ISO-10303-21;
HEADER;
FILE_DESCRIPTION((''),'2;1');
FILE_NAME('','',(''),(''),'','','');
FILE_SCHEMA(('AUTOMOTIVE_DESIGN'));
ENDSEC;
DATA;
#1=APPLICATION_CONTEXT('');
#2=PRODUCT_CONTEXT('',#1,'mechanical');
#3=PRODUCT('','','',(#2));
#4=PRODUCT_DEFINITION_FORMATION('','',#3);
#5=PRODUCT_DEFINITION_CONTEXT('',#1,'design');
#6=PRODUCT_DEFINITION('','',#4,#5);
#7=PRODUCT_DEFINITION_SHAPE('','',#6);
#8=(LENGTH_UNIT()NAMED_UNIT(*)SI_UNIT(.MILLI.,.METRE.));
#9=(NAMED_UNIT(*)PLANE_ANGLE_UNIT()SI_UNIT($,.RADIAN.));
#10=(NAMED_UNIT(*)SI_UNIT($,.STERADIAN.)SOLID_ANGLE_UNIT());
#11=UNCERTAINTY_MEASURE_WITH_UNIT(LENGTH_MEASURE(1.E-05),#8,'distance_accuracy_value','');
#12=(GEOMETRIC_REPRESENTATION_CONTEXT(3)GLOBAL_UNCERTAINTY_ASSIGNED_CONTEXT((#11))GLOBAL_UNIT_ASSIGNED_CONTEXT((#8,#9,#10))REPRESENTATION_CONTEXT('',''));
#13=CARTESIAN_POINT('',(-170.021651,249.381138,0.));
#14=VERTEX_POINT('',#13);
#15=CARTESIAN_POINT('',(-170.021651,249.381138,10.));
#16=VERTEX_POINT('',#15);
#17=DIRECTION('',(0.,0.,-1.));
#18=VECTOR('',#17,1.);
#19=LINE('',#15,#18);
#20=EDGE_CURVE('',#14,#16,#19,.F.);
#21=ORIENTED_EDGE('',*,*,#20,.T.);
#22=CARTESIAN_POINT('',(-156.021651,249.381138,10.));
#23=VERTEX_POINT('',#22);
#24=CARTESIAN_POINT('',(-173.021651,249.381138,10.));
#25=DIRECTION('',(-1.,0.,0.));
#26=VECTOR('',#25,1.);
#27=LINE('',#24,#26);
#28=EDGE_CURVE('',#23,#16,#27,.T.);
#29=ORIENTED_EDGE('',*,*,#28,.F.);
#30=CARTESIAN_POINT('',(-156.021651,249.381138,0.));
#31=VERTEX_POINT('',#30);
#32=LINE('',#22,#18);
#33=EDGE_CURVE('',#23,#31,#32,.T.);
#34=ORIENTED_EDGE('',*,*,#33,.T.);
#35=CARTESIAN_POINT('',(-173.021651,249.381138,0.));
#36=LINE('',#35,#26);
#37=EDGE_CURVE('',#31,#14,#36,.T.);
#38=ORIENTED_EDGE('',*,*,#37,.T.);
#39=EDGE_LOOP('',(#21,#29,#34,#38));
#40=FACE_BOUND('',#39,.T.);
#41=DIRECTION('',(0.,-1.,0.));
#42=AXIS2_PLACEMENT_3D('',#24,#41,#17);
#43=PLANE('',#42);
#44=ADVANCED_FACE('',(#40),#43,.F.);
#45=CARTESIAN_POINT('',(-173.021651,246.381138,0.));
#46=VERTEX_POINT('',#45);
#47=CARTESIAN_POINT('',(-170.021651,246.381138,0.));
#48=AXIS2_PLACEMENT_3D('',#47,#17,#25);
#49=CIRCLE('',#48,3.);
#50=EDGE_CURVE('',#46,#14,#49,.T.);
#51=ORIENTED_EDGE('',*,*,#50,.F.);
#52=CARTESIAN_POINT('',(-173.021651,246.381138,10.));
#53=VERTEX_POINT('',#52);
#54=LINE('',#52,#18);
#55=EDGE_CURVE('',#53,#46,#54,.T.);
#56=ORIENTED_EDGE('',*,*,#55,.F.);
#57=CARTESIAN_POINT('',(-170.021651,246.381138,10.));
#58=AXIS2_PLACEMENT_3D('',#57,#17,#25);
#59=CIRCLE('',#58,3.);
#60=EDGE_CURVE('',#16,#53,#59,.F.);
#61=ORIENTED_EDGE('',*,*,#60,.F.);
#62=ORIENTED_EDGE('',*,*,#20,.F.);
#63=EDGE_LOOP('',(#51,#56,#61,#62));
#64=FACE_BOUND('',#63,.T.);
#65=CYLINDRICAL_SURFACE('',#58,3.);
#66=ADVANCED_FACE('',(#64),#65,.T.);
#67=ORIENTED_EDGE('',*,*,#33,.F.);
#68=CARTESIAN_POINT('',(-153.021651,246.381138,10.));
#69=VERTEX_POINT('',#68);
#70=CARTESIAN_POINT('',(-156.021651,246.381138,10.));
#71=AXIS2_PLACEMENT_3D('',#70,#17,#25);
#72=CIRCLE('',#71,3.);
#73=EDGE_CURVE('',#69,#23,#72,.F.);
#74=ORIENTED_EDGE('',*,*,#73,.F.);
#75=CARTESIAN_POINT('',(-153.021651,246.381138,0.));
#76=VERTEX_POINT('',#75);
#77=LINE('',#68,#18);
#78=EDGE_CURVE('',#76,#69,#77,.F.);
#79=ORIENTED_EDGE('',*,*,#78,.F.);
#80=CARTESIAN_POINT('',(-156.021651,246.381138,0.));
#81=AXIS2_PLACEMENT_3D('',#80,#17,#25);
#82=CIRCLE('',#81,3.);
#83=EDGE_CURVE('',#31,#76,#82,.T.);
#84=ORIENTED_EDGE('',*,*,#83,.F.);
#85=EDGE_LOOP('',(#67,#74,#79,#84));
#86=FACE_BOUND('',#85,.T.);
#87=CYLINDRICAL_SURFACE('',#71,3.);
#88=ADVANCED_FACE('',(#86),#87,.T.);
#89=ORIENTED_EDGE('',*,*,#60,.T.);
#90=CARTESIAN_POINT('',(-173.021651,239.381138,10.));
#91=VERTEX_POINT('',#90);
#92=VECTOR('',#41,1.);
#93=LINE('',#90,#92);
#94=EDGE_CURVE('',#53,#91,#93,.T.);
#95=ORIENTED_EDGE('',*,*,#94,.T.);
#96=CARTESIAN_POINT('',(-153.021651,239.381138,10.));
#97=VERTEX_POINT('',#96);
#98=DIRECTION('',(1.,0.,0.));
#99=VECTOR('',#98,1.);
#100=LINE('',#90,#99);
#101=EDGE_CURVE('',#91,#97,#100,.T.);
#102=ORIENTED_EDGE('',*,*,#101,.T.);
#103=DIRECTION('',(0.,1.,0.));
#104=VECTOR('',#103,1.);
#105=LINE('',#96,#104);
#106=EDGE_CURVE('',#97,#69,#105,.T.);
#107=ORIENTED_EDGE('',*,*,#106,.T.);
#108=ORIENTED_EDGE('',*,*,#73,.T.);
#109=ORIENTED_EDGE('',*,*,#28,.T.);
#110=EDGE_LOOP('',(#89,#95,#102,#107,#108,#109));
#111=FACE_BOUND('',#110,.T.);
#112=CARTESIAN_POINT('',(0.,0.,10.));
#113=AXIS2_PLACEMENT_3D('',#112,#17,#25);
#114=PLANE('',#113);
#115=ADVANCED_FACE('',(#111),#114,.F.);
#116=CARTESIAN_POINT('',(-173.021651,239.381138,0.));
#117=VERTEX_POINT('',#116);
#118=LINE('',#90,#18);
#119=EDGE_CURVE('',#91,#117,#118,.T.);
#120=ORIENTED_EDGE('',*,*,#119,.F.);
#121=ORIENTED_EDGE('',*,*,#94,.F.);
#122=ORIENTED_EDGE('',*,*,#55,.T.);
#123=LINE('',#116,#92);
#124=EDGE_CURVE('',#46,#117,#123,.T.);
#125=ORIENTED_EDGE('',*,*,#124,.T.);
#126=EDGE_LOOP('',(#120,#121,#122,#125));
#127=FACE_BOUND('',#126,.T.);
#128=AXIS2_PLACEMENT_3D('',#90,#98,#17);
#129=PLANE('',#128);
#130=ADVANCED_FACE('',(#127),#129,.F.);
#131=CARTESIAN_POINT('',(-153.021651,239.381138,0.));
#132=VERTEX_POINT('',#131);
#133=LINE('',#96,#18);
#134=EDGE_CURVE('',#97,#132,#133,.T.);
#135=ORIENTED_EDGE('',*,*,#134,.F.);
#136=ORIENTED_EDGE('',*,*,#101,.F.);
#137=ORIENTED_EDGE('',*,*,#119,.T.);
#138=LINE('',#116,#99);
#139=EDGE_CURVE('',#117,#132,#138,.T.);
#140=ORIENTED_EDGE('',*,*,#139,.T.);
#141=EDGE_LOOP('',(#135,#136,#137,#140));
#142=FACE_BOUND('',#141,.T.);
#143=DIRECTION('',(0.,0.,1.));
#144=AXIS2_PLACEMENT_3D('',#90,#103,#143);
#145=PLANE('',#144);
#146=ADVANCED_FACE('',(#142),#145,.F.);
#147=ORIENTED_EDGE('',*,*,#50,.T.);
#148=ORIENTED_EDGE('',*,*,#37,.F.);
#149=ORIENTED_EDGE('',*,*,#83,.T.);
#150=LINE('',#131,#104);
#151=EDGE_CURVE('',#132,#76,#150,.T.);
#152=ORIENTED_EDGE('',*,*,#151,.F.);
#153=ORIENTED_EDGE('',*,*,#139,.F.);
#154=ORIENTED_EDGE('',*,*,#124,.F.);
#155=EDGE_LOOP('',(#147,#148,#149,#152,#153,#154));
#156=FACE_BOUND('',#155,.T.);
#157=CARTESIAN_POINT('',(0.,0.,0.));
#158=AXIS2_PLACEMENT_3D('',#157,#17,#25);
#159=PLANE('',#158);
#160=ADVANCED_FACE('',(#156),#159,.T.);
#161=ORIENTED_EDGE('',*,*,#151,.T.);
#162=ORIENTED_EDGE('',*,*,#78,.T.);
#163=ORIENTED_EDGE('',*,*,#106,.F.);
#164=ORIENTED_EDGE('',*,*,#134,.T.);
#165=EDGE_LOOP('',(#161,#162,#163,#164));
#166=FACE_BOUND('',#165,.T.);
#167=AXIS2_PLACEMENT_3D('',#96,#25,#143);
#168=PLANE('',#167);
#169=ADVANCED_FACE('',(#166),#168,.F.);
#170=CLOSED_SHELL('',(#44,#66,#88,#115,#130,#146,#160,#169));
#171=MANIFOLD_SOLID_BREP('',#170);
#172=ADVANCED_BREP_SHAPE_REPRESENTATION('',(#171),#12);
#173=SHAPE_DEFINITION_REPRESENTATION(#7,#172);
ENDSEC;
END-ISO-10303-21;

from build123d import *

# Parameters (mm, degrees)
SKETCH1_W           = 20
SKETCH1_H           = 10
BOSS_EXTRUDE1_DEPTH = 10
FILLET1_R           = 3


with BuildPart() as part:
    # Sketch1 → Boss-Extrude1 (new body)
    with BuildSketch(Plane.XY):
        with Locations((-163.021650731, 244.381138351)):
            Rectangle(SKETCH1_W, SKETCH1_H)
    extrude(amount=BOSS_EXTRUDE1_DEPTH)

    # Fillet1
    fillet1_edges = [part.edges().sort_by_distance(p)[0] for p in [
        (-153.021650731, 249.381138351, 5),
        (-173.021650731, 249.381138351, 5),
    ]]
    fillet(fillet1_edges, radius=FILLET1_R)


solid = part.part
